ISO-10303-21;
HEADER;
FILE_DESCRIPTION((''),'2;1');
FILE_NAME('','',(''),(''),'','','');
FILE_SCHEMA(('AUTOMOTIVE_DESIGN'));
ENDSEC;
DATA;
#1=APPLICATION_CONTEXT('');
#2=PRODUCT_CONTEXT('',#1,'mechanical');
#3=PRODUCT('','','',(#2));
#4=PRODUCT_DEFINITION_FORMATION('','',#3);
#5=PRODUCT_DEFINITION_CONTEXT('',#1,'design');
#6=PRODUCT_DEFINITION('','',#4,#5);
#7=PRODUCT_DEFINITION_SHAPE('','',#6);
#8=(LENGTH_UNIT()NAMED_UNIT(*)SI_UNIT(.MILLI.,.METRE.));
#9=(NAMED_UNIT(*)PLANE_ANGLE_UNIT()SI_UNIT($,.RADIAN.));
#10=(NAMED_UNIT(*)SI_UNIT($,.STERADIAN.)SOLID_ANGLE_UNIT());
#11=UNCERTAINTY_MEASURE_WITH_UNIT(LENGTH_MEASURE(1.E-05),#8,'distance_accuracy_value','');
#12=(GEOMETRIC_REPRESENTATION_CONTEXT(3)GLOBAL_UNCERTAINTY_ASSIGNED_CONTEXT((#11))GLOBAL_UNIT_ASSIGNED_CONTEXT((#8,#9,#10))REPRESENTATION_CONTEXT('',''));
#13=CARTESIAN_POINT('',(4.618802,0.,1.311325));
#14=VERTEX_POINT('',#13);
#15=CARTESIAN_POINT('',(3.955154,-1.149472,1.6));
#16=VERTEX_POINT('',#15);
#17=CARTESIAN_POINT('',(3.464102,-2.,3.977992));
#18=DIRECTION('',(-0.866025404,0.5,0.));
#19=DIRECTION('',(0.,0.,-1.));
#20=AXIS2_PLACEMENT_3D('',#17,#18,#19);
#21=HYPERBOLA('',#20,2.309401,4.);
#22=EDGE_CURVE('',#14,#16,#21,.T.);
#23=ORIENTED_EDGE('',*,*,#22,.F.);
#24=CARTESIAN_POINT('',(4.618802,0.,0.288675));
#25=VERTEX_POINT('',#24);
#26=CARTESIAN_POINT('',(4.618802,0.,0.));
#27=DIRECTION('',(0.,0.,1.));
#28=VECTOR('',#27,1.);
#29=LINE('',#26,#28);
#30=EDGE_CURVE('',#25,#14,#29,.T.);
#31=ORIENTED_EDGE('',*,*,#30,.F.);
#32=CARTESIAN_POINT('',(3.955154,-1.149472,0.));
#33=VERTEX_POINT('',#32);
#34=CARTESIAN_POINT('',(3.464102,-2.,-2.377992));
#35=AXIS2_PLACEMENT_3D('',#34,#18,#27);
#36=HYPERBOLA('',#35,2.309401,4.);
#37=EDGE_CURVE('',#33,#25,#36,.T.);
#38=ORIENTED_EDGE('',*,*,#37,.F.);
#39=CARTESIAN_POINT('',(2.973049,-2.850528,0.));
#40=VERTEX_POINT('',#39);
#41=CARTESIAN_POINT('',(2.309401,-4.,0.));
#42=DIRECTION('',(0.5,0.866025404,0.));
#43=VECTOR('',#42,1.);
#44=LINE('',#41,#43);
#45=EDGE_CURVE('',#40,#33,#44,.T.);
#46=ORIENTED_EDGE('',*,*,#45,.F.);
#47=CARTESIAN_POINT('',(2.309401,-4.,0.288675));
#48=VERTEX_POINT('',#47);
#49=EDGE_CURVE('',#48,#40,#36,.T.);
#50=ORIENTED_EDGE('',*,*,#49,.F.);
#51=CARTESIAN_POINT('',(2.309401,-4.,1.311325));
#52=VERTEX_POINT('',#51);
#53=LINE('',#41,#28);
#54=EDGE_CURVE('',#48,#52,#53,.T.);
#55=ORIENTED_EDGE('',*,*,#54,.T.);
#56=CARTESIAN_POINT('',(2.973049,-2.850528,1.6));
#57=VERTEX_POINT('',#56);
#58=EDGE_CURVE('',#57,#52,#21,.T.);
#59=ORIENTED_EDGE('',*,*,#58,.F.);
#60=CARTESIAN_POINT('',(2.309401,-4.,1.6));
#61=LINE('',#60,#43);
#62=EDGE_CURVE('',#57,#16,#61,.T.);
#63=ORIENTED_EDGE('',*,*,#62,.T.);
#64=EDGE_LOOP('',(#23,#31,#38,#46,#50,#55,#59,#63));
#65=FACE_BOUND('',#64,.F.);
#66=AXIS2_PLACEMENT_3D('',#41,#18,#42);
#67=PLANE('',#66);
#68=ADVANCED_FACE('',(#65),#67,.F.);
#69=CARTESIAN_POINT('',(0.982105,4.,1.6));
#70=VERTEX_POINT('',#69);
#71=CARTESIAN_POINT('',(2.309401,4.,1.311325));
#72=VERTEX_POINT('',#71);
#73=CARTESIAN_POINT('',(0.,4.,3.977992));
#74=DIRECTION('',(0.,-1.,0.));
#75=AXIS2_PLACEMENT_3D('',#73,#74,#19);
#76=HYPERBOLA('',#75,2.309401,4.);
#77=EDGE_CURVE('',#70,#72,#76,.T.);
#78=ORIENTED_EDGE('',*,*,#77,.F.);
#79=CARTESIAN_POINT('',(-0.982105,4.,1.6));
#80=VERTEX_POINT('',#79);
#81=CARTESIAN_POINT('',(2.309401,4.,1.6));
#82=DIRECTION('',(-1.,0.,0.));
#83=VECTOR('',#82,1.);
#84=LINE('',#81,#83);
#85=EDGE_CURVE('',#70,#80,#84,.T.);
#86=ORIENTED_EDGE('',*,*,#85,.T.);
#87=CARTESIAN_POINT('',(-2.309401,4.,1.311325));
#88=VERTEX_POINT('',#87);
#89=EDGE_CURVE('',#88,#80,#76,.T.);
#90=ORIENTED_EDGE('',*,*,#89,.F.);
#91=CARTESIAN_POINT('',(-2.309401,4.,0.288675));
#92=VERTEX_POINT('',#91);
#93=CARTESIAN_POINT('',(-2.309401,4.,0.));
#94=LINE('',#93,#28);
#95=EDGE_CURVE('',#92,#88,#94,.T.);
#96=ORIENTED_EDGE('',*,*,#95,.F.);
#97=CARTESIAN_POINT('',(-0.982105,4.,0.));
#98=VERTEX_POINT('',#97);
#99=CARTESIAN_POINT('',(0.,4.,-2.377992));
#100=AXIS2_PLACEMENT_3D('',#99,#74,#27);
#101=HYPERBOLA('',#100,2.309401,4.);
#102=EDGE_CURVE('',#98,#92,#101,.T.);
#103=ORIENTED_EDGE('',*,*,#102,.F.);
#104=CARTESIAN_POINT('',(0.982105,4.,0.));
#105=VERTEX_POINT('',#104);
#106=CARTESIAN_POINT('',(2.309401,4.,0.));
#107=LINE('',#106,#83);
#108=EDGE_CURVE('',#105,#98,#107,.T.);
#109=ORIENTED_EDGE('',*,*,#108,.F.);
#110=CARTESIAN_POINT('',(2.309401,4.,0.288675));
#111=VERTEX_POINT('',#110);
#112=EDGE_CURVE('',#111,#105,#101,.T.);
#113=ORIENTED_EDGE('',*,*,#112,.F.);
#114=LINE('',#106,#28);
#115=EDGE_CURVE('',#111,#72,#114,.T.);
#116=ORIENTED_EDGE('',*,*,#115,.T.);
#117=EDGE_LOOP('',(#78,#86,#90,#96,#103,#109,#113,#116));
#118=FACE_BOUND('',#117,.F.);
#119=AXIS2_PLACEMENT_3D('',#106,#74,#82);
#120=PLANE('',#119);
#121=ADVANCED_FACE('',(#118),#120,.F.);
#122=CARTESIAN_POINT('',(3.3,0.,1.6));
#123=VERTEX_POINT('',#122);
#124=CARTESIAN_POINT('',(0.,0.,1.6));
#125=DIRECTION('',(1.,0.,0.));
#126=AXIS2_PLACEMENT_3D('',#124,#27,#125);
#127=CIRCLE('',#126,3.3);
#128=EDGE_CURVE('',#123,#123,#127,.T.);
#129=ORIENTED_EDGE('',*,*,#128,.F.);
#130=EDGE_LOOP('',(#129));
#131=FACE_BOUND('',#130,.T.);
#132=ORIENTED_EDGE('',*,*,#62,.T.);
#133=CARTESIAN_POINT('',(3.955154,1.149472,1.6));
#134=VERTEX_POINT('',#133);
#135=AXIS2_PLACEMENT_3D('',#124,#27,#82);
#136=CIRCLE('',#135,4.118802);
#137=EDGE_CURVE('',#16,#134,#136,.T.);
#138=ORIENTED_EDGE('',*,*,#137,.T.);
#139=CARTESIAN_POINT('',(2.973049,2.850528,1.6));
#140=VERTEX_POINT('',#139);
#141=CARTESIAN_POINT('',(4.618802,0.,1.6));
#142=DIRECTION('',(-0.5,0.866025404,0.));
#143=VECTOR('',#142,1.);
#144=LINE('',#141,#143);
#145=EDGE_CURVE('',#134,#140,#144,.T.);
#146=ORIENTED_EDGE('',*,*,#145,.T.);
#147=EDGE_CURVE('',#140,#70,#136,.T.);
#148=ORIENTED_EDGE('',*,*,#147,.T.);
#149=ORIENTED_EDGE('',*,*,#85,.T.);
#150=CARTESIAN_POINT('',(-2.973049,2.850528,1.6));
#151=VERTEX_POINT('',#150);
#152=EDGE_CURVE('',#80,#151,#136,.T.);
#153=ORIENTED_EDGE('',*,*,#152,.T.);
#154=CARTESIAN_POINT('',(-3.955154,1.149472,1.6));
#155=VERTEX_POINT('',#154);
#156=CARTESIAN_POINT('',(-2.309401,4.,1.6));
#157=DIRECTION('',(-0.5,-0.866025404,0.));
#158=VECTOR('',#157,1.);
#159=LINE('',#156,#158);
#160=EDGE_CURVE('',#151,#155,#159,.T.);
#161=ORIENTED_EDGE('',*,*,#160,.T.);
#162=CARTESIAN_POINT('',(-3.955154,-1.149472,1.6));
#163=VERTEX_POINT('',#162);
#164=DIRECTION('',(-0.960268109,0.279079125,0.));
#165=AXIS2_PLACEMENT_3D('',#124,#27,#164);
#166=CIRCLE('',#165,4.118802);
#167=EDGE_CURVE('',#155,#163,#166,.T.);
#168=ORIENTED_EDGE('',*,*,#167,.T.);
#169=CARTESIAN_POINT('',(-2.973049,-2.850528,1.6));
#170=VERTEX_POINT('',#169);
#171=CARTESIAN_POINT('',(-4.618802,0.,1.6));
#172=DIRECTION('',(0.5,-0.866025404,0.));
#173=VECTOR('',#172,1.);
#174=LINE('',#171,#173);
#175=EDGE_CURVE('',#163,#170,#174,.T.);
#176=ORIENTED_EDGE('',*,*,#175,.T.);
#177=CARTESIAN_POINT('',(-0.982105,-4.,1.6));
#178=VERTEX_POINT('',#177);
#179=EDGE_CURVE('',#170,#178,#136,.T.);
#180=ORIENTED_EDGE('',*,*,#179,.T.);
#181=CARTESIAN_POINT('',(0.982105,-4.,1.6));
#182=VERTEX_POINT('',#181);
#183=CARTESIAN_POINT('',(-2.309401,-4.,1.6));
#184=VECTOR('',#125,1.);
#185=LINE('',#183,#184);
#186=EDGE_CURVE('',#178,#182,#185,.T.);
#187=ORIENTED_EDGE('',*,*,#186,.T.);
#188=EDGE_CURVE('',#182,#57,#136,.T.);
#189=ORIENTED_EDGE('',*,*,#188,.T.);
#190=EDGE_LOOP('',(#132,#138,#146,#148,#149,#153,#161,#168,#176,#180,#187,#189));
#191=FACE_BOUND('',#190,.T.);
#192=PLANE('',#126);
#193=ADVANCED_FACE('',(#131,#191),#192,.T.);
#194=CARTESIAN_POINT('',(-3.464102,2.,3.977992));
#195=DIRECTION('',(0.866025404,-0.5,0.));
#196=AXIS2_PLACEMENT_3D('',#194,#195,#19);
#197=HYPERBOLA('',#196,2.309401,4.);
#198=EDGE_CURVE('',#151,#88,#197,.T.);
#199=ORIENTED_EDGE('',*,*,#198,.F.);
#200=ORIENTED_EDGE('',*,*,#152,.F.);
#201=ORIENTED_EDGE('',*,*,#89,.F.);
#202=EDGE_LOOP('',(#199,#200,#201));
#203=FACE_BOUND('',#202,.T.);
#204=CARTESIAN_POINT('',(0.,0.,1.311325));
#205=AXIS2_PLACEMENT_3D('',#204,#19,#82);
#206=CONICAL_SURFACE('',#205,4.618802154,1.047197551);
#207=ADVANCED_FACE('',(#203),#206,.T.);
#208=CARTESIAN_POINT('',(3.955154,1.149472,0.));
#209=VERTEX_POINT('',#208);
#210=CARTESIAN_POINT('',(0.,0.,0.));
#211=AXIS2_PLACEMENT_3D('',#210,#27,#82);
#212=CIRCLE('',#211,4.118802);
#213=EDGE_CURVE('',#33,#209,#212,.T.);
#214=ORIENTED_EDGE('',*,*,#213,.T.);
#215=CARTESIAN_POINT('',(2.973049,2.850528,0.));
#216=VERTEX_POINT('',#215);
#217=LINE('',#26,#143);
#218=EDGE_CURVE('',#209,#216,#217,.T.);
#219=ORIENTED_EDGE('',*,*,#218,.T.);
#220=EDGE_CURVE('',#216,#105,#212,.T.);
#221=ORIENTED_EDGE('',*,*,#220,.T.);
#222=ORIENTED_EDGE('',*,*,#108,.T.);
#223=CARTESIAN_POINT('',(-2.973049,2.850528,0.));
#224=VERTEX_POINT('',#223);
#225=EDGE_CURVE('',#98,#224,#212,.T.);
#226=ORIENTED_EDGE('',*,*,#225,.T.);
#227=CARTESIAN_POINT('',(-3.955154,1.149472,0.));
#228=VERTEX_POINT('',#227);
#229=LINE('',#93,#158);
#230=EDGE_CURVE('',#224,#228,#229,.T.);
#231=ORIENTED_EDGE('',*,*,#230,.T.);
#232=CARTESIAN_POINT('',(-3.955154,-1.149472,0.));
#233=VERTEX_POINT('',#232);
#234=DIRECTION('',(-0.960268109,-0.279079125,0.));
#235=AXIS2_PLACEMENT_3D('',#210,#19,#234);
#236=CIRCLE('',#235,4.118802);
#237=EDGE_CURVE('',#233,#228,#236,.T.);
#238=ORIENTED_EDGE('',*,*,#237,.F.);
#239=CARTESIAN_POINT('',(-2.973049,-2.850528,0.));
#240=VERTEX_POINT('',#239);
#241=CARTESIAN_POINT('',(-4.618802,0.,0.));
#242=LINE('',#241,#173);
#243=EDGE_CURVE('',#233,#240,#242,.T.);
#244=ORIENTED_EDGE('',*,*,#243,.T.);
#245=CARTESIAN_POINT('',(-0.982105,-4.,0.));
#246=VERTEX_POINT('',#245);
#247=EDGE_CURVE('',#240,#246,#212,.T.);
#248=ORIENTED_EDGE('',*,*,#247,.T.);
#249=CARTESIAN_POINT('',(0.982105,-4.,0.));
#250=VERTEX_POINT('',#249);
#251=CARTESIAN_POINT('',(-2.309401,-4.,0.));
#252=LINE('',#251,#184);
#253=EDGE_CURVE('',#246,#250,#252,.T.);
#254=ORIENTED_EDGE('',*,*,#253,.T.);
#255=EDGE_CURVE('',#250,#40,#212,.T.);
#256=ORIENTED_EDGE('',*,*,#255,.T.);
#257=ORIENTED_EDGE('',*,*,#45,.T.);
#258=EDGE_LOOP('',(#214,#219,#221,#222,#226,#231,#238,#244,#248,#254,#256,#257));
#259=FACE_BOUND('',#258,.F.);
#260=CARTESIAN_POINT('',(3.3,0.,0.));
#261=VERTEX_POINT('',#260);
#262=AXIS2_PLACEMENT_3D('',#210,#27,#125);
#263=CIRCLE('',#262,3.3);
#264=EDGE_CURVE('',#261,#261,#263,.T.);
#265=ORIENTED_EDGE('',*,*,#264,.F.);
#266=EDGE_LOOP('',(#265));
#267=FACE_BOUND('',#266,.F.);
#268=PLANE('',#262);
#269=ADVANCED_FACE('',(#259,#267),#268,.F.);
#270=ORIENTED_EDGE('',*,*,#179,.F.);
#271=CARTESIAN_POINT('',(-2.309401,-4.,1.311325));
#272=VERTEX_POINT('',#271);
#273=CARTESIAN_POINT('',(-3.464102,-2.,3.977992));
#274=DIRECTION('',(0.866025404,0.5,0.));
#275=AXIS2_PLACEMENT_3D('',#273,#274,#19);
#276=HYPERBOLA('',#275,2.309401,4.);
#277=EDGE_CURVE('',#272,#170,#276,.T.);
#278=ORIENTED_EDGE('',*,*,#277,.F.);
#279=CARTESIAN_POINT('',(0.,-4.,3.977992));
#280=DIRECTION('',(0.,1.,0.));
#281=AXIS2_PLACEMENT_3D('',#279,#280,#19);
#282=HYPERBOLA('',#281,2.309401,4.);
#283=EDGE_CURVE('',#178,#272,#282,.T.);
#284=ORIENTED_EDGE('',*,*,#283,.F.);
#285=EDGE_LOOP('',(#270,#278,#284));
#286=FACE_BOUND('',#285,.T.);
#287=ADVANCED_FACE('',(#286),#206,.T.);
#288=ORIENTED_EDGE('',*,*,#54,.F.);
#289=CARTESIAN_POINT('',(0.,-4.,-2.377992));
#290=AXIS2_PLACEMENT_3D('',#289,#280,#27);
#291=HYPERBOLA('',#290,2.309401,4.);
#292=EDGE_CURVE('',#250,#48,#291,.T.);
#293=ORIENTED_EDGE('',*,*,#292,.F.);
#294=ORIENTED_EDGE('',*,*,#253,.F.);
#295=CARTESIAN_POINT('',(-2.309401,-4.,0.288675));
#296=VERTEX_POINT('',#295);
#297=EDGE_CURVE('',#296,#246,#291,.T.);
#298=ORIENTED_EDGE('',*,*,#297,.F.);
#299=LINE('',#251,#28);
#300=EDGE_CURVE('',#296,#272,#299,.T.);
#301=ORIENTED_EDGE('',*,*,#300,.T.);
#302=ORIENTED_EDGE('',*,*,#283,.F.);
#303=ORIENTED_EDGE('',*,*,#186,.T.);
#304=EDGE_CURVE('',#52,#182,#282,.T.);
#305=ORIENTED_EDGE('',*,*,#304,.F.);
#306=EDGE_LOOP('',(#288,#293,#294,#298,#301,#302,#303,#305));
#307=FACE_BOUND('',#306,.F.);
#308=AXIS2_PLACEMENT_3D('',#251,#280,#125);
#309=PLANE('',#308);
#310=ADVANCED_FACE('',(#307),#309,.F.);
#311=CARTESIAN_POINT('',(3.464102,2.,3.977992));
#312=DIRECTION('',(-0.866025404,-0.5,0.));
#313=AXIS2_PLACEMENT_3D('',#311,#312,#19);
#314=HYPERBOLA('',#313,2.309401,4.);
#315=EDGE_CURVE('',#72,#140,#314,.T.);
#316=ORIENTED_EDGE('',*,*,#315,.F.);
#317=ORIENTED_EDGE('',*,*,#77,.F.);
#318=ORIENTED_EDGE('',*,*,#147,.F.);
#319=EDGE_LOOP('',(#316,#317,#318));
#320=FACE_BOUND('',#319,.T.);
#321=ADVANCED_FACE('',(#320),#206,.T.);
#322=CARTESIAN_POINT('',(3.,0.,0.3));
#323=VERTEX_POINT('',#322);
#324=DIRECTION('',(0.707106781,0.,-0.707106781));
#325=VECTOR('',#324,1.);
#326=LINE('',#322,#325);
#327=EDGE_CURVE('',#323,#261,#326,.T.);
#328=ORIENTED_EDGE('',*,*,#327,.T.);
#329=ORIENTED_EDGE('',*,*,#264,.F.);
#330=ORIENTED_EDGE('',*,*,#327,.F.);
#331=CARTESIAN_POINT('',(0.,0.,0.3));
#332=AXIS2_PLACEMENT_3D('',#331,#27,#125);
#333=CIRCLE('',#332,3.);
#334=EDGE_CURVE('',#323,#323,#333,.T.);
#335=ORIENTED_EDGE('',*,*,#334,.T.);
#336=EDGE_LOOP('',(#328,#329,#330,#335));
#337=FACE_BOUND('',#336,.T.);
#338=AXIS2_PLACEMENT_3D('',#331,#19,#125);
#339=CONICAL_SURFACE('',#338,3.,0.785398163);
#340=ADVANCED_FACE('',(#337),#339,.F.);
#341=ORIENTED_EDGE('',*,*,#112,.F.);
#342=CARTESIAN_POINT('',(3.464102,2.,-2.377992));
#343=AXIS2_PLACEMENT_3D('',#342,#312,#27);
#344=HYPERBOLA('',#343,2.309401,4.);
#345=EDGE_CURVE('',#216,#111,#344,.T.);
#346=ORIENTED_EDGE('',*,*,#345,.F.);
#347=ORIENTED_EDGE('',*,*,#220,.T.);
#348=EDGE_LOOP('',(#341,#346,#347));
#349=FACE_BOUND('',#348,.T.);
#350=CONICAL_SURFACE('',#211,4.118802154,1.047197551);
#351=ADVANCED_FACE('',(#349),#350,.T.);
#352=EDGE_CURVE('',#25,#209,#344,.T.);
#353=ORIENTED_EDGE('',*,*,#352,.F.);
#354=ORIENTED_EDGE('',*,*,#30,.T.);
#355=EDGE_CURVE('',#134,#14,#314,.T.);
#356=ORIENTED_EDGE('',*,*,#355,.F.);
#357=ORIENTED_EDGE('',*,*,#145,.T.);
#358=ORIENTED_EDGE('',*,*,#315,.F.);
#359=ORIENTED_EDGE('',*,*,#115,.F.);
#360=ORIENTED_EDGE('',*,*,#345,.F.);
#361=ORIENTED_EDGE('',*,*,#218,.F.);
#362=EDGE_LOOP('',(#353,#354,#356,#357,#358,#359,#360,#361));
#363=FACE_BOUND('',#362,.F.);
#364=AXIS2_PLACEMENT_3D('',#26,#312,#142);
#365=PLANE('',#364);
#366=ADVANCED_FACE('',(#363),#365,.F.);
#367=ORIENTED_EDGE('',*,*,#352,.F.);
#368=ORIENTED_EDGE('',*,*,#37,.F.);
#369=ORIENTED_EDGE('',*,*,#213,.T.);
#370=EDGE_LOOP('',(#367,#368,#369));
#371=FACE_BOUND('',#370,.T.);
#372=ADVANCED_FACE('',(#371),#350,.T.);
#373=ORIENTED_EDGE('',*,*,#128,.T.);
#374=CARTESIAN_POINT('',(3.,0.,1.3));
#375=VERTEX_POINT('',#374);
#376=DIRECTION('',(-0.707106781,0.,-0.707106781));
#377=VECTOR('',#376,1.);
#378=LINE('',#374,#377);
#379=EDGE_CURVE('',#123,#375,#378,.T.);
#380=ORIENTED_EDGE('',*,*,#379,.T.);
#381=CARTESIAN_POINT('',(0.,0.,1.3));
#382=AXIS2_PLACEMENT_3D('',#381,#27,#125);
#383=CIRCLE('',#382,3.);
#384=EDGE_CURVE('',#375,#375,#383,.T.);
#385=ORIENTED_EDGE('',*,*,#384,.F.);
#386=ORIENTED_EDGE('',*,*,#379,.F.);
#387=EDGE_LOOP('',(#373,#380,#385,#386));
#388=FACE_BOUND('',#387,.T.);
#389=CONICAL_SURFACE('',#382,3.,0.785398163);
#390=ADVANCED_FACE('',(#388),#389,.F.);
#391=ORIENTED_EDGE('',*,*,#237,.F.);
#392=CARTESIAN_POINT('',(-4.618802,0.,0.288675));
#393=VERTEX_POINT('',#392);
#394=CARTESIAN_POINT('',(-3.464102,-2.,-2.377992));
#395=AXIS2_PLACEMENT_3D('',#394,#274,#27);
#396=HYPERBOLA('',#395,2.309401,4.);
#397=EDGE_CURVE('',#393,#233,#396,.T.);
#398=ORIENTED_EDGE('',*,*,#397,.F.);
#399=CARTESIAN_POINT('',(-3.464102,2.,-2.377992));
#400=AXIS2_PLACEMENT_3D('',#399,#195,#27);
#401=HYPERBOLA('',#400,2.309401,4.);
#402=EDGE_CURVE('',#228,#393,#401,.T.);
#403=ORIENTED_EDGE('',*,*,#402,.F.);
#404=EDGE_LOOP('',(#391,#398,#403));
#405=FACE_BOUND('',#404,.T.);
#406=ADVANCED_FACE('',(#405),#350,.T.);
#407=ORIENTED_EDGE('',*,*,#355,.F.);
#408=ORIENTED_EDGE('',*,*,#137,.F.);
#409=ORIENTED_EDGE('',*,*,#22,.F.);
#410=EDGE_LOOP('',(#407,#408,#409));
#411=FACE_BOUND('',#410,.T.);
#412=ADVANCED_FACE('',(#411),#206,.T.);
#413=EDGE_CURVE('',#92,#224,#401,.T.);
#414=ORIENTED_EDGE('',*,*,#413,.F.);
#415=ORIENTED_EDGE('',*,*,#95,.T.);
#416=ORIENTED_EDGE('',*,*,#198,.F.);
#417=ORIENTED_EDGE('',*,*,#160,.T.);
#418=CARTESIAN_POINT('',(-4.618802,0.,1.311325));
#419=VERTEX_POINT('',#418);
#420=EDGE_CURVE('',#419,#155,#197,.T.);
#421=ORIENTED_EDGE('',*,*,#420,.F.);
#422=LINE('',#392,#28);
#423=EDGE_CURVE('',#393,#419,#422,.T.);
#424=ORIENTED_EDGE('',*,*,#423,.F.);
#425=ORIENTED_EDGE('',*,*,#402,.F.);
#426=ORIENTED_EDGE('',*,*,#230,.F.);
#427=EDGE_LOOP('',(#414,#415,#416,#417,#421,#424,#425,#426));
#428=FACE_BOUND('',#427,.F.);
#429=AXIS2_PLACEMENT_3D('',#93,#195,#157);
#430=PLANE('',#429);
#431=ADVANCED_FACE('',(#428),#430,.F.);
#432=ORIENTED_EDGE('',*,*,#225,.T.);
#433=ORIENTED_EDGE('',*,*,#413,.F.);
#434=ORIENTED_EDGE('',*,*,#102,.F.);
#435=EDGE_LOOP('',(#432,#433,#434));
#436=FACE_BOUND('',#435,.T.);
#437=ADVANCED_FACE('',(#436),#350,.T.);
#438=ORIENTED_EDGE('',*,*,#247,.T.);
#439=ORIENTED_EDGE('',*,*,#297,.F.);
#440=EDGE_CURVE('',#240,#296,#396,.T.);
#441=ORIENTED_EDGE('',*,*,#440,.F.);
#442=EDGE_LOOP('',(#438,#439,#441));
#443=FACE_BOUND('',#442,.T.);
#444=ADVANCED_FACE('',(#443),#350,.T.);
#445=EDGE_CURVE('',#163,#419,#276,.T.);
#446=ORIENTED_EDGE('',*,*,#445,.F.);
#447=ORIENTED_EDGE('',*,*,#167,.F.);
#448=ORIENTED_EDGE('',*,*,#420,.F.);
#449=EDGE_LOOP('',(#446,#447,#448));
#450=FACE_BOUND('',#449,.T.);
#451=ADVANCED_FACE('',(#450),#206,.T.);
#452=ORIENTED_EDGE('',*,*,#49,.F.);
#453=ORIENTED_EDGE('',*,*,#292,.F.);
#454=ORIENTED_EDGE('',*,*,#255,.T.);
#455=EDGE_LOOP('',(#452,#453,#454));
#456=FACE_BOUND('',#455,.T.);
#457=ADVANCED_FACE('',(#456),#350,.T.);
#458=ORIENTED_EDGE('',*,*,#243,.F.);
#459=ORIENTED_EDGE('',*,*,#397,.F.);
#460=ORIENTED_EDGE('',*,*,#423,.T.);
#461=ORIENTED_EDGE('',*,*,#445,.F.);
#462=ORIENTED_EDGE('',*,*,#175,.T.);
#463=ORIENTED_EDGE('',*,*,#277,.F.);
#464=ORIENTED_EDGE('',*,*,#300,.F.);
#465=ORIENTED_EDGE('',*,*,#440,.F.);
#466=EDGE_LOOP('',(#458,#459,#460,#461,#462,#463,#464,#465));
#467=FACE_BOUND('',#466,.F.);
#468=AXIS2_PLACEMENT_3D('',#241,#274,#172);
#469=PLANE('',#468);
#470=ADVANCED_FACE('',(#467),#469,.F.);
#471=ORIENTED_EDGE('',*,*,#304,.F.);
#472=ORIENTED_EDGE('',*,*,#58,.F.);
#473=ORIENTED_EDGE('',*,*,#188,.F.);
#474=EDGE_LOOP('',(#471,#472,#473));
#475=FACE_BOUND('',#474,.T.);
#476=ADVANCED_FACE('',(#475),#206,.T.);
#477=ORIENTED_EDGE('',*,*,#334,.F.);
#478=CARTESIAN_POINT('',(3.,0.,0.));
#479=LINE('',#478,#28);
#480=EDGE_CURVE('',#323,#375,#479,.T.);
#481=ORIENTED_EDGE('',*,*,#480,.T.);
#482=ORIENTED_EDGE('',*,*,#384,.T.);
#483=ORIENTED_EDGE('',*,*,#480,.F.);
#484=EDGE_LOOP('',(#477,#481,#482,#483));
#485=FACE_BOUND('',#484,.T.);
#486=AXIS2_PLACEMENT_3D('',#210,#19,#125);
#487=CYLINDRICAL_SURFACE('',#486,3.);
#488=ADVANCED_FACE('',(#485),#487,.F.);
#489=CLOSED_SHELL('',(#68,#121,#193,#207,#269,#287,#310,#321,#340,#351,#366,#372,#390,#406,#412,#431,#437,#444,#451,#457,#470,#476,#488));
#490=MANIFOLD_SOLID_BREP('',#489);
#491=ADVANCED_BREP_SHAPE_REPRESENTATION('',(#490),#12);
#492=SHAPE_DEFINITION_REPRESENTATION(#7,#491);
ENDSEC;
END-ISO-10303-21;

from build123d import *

# Parameters (mm, degrees)
ESQUISSE1_R        = 3
BOSS_EXTRU_1_DEPTH = 1.6
CHANFREIN1_SIZE    = 0.3


with BuildPart() as part:
    # Esquisse1 → Boss.-Extru.1 (new body)
    with BuildSketch(Plane.XY):
        Polygon((4.618802154, 0), (2.309401077, 4), (-2.309401077, 4), (-4.618802154, 0), (-2.309401077, -4), (2.309401077, -4), align=None)
        Circle(ESQUISSE1_R, mode=Mode.SUBTRACT)
    extrude(amount=BOSS_EXTRU_1_DEPTH)

    # Esquisse2 → Enlèvement de matière-Révolution1 (revolve, cut)
    with BuildSketch(Plane(origin=(0, 0, 0), x_dir=(1, 0, 0), z_dir=(0, 1, 0))):
        Polygon((-4.118802154, 0), (-4.618802154, -0.288675135), (-4.618802154, -1.311324865), (-4.118802154, -1.6), (-5.618802154, -1.6), (-5.618802154, 0), align=None)
    revolve(axis=Axis((0, 0, 0), (0, 0, 1)), mode=Mode.SUBTRACT)

    # Chanfrein1
    chanfrein1_edges = [part.edges().sort_by_distance(p)[0] for p in [
        (-3, 0, 0),
        (-3, 0, 1.6),
    ]]
    chamfer(chanfrein1_edges, length=CHANFREIN1_SIZE)


solid = part.part
